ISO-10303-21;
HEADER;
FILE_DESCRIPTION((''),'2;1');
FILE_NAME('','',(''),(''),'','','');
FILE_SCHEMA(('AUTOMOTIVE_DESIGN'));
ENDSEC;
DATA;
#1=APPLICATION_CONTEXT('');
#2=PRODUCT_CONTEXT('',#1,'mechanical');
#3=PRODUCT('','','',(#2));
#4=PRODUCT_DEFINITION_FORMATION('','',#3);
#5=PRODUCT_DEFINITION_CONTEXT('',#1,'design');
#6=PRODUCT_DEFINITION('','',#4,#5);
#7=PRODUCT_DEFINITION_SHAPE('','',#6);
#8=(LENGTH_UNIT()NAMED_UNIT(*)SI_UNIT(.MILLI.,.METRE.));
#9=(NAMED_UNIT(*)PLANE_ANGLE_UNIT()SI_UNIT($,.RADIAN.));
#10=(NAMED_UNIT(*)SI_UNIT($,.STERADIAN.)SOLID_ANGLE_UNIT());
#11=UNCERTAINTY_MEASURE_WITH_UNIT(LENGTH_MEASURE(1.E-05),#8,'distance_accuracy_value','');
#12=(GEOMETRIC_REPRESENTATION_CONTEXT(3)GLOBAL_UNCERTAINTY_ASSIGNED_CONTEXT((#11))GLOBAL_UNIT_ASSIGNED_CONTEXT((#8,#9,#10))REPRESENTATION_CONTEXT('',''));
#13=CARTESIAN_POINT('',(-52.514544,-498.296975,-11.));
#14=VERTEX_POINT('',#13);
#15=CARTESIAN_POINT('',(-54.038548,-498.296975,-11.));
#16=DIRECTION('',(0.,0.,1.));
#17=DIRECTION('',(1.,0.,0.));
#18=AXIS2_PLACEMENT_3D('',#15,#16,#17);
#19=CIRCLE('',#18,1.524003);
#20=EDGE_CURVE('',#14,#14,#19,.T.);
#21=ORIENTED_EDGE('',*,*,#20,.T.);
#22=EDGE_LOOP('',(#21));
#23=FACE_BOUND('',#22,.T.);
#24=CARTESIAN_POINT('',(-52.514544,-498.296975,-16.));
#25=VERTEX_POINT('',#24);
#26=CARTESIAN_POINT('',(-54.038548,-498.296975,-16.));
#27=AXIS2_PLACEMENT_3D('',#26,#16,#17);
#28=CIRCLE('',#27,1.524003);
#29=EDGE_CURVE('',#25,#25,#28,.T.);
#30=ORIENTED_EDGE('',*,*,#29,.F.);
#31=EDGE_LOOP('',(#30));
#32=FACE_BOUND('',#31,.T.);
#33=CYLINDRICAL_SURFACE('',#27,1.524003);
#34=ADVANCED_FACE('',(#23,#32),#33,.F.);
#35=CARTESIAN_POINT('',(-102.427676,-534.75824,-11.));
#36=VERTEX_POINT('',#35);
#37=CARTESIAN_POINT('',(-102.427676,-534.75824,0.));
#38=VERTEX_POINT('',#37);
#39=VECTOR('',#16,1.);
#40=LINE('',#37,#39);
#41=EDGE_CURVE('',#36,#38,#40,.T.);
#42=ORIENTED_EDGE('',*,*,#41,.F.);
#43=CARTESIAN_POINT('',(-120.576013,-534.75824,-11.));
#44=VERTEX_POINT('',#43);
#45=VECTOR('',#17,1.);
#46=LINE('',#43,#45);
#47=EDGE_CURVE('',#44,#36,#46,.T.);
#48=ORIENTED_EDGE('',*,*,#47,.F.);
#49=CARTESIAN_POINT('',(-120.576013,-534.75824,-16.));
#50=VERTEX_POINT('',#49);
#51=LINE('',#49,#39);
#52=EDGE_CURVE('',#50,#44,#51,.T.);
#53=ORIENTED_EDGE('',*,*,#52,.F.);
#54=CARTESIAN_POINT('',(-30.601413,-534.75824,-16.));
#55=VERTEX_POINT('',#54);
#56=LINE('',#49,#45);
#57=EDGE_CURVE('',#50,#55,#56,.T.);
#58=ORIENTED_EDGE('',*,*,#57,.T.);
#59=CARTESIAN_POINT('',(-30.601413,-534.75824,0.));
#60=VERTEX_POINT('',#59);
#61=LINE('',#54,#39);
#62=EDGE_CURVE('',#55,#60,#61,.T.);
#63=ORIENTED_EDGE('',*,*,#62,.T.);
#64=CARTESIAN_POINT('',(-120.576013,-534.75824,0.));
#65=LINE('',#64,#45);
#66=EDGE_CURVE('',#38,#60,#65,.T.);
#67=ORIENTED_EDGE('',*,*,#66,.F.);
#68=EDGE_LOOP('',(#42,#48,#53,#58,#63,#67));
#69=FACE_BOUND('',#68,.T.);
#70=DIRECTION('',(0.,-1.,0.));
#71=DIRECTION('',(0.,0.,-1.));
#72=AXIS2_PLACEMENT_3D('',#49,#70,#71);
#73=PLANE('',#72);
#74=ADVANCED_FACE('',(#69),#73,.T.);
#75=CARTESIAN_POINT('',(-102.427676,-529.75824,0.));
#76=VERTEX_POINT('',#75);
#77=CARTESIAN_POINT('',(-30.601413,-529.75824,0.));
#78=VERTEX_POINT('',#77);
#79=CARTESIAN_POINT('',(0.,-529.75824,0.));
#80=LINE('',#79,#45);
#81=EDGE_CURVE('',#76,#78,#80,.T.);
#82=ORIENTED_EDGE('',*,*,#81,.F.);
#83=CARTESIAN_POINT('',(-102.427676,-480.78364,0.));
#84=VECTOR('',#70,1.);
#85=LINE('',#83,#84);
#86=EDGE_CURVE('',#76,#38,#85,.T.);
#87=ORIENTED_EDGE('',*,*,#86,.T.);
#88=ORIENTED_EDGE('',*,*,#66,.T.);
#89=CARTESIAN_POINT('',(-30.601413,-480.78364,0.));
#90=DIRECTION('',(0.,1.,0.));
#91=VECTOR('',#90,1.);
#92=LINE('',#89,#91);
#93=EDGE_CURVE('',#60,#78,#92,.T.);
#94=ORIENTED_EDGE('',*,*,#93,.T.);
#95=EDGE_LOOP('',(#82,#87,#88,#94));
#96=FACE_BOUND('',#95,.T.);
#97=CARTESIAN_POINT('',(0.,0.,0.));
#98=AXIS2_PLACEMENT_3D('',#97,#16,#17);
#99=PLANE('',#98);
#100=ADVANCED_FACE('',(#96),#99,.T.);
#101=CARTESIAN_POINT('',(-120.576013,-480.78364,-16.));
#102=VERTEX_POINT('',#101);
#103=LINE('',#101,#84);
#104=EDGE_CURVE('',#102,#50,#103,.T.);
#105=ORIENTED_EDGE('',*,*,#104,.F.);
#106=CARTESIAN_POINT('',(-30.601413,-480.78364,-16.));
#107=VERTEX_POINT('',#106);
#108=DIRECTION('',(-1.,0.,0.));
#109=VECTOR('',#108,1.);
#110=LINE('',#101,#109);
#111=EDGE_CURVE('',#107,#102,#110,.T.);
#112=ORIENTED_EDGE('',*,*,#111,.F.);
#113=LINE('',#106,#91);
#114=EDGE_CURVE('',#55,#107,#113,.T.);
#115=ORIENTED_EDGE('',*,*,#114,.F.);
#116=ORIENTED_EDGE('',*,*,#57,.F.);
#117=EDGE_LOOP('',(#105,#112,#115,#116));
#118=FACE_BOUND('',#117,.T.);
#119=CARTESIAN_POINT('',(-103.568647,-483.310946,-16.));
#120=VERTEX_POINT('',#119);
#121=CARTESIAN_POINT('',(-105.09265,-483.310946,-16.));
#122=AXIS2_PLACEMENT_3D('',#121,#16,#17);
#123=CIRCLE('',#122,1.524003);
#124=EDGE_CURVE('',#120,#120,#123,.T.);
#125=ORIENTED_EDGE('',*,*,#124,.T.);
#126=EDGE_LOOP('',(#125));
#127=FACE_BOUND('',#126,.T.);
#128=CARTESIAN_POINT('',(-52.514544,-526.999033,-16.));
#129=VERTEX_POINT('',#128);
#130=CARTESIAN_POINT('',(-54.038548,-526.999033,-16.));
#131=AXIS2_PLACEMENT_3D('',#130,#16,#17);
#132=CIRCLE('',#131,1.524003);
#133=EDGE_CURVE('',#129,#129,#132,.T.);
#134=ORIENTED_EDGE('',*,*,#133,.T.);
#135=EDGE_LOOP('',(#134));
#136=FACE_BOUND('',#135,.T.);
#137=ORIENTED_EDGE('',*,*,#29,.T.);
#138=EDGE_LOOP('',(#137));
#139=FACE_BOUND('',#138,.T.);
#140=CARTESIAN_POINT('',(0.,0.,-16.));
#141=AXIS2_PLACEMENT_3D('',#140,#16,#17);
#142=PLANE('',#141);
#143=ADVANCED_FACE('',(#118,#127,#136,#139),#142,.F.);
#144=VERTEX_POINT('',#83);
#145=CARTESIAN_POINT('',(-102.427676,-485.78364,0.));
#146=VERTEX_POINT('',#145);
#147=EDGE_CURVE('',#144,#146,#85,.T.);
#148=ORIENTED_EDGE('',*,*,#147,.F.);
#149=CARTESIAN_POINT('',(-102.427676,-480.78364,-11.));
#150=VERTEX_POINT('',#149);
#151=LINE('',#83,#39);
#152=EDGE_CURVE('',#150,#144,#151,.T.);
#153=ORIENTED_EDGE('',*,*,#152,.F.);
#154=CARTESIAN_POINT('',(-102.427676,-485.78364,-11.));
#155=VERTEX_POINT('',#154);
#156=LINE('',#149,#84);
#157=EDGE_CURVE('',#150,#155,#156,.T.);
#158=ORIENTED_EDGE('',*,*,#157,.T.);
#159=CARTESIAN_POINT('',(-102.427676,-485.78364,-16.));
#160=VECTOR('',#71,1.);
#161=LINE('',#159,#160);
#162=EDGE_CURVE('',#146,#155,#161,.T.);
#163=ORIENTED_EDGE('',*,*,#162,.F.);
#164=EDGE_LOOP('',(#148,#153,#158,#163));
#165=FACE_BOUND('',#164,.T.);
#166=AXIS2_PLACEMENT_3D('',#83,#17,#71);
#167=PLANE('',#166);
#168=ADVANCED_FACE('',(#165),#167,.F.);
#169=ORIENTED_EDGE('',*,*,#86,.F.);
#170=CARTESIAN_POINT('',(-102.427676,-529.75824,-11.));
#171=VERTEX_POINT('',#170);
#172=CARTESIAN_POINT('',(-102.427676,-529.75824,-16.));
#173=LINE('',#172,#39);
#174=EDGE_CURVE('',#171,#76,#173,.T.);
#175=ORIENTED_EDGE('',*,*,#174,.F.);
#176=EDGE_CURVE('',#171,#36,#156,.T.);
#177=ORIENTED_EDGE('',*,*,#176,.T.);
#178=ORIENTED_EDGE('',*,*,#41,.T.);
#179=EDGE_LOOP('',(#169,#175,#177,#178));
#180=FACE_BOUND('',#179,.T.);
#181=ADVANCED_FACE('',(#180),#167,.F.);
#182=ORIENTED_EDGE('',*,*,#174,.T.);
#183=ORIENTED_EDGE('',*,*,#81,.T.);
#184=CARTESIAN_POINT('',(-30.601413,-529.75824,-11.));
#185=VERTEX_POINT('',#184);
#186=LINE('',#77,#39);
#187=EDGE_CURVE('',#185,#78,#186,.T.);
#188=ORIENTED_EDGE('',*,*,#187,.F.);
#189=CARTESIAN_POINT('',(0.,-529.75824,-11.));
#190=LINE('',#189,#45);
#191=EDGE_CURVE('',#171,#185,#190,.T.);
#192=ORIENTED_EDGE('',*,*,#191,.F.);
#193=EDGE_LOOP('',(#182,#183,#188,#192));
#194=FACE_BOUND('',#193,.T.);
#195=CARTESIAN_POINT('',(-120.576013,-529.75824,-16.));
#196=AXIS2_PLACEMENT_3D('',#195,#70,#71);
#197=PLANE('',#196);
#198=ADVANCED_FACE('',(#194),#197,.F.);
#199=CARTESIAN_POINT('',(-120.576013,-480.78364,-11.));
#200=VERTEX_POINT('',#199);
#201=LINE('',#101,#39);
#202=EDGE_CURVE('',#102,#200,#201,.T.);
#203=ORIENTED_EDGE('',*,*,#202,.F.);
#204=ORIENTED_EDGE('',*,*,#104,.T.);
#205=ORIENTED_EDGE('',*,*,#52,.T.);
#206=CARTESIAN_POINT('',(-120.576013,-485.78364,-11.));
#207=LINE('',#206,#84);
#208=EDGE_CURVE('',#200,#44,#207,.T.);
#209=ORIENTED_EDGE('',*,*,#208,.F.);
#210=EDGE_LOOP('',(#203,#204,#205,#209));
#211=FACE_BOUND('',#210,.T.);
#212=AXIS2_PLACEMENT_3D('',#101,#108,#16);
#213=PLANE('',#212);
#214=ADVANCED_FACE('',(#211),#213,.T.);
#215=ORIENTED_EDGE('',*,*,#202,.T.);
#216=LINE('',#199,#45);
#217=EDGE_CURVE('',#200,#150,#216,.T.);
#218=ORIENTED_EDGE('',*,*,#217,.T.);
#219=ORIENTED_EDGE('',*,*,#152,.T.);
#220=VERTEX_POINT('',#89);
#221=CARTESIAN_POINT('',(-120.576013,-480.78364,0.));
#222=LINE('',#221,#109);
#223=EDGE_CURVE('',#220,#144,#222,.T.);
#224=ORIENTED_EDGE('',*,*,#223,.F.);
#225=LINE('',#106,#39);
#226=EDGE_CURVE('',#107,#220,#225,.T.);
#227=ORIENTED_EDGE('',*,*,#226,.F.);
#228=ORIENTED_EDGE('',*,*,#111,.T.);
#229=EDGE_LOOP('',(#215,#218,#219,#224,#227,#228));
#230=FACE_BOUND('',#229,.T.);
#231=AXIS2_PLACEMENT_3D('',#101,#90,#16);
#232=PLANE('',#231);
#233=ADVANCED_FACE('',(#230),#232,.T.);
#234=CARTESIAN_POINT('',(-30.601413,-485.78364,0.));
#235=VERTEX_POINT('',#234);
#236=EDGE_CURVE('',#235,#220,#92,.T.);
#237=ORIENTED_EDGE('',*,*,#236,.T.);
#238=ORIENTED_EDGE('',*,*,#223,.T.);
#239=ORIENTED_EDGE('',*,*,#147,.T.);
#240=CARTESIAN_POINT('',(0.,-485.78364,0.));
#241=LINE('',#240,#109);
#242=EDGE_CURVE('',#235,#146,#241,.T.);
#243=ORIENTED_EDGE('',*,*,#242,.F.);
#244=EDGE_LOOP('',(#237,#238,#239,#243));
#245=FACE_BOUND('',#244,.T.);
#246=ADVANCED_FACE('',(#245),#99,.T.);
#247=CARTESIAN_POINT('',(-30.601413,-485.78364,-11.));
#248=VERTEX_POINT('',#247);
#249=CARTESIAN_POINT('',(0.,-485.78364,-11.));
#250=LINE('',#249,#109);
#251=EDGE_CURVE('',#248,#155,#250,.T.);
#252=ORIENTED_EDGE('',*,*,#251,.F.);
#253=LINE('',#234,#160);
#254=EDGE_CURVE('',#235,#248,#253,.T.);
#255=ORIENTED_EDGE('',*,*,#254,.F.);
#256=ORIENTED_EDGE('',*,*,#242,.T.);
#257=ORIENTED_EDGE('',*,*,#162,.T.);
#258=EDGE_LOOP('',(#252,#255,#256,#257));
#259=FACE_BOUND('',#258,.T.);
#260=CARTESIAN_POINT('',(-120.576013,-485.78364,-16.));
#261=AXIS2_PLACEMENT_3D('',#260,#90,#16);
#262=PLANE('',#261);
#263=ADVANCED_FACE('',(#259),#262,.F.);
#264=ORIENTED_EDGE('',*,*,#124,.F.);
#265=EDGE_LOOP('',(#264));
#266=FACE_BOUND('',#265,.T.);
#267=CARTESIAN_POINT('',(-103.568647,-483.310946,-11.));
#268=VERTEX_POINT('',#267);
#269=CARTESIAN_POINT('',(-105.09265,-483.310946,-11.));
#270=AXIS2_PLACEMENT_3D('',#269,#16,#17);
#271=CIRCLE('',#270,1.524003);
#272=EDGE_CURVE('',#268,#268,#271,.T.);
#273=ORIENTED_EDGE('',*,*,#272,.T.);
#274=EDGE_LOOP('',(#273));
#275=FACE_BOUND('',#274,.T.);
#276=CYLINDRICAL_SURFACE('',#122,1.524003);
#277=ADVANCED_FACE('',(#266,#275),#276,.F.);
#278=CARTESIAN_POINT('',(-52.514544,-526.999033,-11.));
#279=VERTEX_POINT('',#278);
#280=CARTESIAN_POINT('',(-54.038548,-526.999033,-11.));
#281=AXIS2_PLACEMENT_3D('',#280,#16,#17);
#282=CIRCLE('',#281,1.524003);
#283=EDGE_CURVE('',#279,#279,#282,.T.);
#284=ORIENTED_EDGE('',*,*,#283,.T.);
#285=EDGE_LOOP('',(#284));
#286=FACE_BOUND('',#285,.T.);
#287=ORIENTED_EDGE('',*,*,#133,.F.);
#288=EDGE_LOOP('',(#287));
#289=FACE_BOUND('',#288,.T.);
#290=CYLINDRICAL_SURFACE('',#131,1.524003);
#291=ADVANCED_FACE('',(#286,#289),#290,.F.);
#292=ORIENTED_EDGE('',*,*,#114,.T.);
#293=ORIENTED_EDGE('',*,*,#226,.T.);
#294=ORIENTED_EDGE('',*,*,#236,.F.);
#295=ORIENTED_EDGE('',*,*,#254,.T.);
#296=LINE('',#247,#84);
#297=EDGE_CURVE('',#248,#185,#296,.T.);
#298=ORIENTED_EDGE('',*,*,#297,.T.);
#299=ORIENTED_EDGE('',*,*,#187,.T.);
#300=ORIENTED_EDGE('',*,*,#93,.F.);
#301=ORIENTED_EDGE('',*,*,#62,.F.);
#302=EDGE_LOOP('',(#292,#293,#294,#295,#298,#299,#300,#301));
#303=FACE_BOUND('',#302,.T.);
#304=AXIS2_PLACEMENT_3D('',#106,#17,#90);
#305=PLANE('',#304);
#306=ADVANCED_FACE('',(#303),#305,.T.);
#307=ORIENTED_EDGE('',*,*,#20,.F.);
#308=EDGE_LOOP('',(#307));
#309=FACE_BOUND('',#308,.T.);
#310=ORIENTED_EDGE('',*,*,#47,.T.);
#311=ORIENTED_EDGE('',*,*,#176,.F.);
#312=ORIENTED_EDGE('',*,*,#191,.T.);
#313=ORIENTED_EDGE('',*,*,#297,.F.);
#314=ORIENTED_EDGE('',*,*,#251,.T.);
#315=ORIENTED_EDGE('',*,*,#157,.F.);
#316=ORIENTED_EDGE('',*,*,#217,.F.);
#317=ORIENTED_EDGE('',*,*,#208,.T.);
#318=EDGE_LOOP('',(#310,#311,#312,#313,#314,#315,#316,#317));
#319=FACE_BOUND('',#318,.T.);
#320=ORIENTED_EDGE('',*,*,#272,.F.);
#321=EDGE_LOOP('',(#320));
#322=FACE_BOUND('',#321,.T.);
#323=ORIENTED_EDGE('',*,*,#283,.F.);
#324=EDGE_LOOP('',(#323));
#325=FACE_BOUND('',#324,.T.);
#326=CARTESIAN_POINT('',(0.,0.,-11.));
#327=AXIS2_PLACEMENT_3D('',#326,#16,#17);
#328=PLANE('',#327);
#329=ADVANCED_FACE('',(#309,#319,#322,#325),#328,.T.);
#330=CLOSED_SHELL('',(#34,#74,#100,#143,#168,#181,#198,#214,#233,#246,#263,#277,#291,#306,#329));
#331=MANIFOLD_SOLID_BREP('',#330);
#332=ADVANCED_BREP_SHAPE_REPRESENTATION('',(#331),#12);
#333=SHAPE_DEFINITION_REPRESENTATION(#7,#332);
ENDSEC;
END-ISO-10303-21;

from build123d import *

# Parameters (mm, degrees)
SKETCH_1_W          = 89.974599949
SKETCH_1_H          = 53.974599949
EXTRUDE_1_DEPTH     = 16
SHELL_1_T           = -5
SKETCH_2_W          = 11
SKETCH_2_H          = 43.974599949
CUT_EXTRUDE_1_DEPTH = 90.974599949
SKETCH_3_W          = 18.148336296
SKETCH_3_H          = 11
CUT_EXTRUDE_2_DEPTH = 54.974599949
SKETCH_4_R          = 1.524003048
CUT_EXTRUDE_3_DEPTH = 17


with BuildPart() as part:
    # 草图1 → 凸台-拉伸1 (new body)
    with BuildSketch(Plane.XY):
        with Locations((-75.588712629, -507.770940429)):
            Rectangle(SKETCH_1_W, SKETCH_1_H)
    extrude(amount=-EXTRUDE_1_DEPTH)

    # 抽壳1
    shell_1_openings = [part.faces().sort_by_distance(p)[0] for p in [
        (-75.588712629, -507.770940429, 0),
    ]]
    offset(amount=SHELL_1_T, openings=shell_1_openings, kind=Kind.INTERSECTION)

    # 草图2 → 切除-拉伸1 (cut, through all)
    with BuildSketch(Plane.ZY.offset(120.576012603)):
        with Locations((-5.5, -507.770940429)):
            Rectangle(SKETCH_2_W, SKETCH_2_H)
    extrude(amount=-CUT_EXTRUDE_1_DEPTH, mode=Mode.SUBTRACT)

    # 草图3 → 切除-拉伸2 (cut, through all)
    with BuildSketch(Plane.XZ.offset(534.758240403)):
        with Locations((-111.501844455, -5.5)):
            Rectangle(SKETCH_3_W, SKETCH_3_H)
    extrude(amount=-CUT_EXTRUDE_2_DEPTH, mode=Mode.SUBTRACT)

    # 草图4 → 切除-拉伸3 (cut, through all)
    with BuildSketch(Plane.XY):
        with Locations((-105.092649637, -483.310945509)):
            Circle(SKETCH_4_R)
        with Locations((-54.038547528, -526.999032885)):
            Circle(SKETCH_4_R)
        with Locations((-54.038547528, -498.296975481)):
            Circle(SKETCH_4_R)
    extrude(amount=-CUT_EXTRUDE_3_DEPTH, mode=Mode.SUBTRACT)


solid = part.part
